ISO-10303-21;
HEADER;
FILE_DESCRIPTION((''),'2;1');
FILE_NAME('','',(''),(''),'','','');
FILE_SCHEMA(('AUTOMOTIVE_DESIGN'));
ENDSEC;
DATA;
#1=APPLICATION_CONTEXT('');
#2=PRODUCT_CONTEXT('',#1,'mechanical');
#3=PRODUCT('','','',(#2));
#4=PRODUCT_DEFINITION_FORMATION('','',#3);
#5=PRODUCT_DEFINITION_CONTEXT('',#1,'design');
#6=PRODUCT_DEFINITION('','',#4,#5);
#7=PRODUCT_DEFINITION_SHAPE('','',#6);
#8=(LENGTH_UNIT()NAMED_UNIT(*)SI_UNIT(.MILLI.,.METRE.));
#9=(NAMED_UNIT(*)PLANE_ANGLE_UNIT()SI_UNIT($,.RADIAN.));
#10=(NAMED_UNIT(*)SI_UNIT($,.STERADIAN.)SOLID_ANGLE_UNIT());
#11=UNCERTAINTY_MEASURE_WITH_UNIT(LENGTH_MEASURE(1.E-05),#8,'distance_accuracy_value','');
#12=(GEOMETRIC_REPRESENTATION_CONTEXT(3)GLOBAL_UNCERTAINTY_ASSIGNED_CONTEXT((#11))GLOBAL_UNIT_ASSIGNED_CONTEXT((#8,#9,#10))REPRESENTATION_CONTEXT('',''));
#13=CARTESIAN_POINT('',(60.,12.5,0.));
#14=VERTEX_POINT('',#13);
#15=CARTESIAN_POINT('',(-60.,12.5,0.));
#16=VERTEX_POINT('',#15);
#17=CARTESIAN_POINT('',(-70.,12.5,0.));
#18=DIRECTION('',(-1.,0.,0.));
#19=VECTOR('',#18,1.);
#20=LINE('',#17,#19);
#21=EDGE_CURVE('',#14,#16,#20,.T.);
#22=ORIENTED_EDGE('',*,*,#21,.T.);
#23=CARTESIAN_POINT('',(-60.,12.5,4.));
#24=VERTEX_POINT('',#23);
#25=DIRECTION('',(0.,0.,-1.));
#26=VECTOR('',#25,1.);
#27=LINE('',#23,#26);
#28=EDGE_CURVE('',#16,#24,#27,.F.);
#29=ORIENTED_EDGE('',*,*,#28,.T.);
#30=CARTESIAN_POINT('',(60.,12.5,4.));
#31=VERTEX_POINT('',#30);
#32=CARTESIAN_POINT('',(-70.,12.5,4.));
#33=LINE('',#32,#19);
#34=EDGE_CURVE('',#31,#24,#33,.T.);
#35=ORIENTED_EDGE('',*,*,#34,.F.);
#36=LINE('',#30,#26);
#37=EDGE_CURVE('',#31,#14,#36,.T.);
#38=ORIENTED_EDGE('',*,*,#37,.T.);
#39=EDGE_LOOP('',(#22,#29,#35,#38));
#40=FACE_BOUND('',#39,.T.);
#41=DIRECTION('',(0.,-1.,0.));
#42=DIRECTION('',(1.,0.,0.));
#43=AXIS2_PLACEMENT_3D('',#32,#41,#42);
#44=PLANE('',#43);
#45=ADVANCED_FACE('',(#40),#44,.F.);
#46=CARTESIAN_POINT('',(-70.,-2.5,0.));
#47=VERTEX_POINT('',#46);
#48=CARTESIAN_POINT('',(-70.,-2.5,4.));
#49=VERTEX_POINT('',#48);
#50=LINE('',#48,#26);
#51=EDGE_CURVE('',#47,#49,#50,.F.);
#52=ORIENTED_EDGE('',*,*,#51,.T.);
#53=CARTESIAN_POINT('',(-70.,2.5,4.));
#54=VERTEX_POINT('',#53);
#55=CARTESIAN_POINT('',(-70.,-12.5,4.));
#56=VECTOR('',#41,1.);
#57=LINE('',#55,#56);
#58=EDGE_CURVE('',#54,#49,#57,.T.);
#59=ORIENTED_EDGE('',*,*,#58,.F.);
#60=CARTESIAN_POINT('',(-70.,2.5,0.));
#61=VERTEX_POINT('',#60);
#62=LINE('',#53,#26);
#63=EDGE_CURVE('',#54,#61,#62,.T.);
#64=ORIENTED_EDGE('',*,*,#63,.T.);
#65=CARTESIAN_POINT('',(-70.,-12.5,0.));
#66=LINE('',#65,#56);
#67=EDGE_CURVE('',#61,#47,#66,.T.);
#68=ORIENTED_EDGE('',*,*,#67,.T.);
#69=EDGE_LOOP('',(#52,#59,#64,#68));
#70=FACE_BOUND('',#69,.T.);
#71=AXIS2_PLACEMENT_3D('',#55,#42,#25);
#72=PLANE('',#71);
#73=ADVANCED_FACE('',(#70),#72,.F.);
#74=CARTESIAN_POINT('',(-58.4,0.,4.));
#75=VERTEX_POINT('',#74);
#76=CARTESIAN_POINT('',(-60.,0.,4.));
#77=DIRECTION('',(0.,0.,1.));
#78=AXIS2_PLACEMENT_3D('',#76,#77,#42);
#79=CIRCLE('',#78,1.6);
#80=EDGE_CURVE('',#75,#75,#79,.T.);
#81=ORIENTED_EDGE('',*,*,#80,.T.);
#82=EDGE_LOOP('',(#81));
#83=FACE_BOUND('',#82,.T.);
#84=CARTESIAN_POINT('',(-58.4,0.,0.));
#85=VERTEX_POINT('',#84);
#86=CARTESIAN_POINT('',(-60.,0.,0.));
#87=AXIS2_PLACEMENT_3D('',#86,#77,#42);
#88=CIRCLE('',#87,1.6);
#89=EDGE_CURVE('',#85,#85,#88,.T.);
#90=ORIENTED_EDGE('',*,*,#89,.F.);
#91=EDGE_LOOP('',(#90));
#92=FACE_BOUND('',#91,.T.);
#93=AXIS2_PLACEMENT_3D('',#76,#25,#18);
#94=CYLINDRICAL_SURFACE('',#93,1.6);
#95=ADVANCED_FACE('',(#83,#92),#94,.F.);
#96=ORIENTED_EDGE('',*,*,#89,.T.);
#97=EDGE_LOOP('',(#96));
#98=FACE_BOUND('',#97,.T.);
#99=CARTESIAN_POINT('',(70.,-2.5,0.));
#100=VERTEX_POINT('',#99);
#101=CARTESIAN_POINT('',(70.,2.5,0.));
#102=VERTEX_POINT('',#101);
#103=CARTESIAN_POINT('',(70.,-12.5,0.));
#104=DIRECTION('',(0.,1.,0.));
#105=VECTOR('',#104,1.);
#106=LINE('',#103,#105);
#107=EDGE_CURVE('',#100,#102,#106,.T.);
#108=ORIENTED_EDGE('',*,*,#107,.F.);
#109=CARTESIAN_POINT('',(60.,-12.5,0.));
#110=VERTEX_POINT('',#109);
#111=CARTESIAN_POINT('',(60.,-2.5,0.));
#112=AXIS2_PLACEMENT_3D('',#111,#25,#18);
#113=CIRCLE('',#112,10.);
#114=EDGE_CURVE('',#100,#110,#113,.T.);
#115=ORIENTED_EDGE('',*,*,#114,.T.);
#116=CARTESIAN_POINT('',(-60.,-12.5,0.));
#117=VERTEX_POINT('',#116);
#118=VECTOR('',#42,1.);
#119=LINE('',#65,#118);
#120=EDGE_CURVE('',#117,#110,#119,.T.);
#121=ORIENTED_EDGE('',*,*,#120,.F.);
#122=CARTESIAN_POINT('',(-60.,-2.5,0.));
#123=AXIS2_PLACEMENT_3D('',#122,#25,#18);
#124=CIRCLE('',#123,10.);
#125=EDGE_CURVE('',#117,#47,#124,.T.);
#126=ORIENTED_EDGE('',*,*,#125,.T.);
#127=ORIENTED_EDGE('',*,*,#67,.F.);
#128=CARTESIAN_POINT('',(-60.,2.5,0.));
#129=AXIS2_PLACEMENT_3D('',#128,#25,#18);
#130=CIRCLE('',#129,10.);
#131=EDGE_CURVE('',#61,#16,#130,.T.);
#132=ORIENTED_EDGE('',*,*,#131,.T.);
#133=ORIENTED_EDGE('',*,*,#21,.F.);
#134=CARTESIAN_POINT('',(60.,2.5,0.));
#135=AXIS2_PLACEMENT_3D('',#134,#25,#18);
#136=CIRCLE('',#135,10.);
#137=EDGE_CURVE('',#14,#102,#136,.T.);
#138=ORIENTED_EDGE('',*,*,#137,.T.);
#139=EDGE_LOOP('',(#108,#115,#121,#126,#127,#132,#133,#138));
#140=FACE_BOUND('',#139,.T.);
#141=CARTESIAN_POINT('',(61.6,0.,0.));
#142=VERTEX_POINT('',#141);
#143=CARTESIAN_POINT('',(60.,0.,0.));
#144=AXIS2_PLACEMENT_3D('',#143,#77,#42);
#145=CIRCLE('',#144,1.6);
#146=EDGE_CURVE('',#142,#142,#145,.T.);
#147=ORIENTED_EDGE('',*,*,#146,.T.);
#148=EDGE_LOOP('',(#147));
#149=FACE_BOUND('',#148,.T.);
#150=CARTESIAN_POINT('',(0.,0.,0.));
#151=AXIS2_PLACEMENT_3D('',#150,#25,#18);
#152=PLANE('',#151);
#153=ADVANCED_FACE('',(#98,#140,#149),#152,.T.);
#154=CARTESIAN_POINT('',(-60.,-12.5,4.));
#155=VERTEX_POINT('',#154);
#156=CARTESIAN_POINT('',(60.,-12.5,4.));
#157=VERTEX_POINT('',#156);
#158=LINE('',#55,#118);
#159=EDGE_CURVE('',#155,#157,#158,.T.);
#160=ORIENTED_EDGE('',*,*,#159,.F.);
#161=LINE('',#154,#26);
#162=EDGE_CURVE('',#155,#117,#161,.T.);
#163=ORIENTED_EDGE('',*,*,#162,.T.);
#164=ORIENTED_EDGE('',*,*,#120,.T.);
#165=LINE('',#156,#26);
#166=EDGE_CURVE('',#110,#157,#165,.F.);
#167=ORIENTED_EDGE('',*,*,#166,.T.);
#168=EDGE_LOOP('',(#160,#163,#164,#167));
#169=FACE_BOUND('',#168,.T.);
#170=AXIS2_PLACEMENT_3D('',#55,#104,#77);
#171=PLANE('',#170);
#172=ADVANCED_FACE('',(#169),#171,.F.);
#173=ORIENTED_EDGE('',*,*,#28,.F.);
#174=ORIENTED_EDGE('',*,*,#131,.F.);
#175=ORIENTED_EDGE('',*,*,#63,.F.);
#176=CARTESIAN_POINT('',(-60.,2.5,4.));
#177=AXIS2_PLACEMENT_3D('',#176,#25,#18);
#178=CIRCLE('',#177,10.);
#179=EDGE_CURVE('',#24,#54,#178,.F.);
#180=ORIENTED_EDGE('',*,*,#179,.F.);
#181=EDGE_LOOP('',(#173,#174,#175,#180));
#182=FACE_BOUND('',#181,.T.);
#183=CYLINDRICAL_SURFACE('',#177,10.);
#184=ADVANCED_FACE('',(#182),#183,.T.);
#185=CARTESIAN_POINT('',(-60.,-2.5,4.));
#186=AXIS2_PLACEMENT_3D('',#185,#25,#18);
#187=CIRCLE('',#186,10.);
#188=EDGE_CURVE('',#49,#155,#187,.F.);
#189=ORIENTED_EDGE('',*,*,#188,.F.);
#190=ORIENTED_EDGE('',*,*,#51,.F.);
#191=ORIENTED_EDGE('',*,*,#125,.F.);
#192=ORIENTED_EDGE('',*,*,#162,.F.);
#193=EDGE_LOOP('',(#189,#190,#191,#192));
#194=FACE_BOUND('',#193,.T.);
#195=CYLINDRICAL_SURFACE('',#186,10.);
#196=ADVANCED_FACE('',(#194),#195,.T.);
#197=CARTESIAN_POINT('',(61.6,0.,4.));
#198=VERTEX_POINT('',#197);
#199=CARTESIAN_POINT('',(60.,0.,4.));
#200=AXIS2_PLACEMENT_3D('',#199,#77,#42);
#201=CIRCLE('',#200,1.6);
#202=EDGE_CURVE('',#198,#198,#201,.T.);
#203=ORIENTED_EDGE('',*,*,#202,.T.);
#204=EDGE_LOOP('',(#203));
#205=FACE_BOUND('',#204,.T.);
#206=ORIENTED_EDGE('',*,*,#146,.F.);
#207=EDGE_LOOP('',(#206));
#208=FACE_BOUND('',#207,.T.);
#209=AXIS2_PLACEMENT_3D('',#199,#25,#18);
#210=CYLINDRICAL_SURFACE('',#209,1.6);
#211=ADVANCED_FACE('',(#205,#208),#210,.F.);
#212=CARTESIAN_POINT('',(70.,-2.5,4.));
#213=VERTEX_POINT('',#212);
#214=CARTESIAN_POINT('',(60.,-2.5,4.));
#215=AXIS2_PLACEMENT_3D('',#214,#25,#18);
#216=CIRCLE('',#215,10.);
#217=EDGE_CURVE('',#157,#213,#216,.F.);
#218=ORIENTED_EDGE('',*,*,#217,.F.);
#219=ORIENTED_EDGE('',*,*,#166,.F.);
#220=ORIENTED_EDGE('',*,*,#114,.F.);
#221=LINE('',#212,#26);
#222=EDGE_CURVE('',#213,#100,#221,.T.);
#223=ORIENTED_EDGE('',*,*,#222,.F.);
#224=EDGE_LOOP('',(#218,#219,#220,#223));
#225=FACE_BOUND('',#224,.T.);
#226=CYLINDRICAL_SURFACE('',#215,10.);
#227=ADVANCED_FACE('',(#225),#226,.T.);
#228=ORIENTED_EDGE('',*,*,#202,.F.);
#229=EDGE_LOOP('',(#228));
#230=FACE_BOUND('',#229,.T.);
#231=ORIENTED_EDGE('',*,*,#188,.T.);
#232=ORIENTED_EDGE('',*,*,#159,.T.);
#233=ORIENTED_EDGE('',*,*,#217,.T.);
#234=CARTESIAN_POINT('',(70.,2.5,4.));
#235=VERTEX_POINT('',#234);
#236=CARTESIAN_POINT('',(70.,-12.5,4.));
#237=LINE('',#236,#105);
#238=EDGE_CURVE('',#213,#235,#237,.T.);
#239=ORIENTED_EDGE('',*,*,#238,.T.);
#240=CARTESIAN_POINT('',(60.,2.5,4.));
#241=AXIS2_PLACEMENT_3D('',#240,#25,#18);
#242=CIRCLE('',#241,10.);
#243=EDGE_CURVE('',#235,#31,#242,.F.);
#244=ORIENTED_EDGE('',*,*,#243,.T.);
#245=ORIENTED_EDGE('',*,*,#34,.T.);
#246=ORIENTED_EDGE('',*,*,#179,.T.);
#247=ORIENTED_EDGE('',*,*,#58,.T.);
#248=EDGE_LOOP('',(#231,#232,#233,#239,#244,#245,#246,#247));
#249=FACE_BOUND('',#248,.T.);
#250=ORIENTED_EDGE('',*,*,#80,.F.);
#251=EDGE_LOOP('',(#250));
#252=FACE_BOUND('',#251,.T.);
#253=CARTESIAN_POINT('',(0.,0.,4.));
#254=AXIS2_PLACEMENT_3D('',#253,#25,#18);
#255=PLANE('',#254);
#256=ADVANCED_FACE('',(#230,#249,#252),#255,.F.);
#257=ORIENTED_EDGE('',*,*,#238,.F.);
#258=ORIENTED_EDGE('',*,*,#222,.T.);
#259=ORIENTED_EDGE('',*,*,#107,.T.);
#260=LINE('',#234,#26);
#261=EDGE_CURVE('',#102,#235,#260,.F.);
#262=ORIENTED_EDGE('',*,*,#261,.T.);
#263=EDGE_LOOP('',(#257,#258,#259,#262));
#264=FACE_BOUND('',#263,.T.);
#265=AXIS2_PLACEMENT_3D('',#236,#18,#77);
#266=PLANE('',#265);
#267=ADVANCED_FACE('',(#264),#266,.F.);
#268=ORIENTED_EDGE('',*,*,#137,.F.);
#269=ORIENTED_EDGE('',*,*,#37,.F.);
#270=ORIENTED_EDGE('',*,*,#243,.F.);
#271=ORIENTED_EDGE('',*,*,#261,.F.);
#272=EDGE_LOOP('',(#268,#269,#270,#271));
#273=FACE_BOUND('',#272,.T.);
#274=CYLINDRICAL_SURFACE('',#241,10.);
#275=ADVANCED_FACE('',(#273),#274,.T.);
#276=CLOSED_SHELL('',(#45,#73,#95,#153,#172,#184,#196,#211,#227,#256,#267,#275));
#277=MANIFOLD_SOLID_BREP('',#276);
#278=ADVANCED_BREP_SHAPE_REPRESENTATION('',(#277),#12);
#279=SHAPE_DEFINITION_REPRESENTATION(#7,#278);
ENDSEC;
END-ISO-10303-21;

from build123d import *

# Parameters (mm, degrees)
SKETCH_1_W      = 140
SKETCH_1_H      = 25
SKETCH_1_R      = 1.6
EXTRUDE_1_DEPTH = 4
FILLET_1_R      = 10


with BuildPart() as part:
    # 草图1 → 凸台-拉伸1 (new body)
    with BuildSketch(Plane.XY):
        Rectangle(SKETCH_1_W, SKETCH_1_H)
        with Locations((-60, 0)):
            Circle(SKETCH_1_R, mode=Mode.SUBTRACT)
        with Locations((60, 0)):
            Circle(SKETCH_1_R, mode=Mode.SUBTRACT)
    extrude(amount=EXTRUDE_1_DEPTH)

    # 圆角1
    fillet_1_edges = [part.edges().sort_by_distance(p)[0] for p in [
        (70, -12.5, 2),
        (-70, -12.5, 2),
        (-70, 12.5, 2),
        (70, 12.5, 2),
    ]]
    fillet(fillet_1_edges, radius=FILLET_1_R)


solid = part.part
